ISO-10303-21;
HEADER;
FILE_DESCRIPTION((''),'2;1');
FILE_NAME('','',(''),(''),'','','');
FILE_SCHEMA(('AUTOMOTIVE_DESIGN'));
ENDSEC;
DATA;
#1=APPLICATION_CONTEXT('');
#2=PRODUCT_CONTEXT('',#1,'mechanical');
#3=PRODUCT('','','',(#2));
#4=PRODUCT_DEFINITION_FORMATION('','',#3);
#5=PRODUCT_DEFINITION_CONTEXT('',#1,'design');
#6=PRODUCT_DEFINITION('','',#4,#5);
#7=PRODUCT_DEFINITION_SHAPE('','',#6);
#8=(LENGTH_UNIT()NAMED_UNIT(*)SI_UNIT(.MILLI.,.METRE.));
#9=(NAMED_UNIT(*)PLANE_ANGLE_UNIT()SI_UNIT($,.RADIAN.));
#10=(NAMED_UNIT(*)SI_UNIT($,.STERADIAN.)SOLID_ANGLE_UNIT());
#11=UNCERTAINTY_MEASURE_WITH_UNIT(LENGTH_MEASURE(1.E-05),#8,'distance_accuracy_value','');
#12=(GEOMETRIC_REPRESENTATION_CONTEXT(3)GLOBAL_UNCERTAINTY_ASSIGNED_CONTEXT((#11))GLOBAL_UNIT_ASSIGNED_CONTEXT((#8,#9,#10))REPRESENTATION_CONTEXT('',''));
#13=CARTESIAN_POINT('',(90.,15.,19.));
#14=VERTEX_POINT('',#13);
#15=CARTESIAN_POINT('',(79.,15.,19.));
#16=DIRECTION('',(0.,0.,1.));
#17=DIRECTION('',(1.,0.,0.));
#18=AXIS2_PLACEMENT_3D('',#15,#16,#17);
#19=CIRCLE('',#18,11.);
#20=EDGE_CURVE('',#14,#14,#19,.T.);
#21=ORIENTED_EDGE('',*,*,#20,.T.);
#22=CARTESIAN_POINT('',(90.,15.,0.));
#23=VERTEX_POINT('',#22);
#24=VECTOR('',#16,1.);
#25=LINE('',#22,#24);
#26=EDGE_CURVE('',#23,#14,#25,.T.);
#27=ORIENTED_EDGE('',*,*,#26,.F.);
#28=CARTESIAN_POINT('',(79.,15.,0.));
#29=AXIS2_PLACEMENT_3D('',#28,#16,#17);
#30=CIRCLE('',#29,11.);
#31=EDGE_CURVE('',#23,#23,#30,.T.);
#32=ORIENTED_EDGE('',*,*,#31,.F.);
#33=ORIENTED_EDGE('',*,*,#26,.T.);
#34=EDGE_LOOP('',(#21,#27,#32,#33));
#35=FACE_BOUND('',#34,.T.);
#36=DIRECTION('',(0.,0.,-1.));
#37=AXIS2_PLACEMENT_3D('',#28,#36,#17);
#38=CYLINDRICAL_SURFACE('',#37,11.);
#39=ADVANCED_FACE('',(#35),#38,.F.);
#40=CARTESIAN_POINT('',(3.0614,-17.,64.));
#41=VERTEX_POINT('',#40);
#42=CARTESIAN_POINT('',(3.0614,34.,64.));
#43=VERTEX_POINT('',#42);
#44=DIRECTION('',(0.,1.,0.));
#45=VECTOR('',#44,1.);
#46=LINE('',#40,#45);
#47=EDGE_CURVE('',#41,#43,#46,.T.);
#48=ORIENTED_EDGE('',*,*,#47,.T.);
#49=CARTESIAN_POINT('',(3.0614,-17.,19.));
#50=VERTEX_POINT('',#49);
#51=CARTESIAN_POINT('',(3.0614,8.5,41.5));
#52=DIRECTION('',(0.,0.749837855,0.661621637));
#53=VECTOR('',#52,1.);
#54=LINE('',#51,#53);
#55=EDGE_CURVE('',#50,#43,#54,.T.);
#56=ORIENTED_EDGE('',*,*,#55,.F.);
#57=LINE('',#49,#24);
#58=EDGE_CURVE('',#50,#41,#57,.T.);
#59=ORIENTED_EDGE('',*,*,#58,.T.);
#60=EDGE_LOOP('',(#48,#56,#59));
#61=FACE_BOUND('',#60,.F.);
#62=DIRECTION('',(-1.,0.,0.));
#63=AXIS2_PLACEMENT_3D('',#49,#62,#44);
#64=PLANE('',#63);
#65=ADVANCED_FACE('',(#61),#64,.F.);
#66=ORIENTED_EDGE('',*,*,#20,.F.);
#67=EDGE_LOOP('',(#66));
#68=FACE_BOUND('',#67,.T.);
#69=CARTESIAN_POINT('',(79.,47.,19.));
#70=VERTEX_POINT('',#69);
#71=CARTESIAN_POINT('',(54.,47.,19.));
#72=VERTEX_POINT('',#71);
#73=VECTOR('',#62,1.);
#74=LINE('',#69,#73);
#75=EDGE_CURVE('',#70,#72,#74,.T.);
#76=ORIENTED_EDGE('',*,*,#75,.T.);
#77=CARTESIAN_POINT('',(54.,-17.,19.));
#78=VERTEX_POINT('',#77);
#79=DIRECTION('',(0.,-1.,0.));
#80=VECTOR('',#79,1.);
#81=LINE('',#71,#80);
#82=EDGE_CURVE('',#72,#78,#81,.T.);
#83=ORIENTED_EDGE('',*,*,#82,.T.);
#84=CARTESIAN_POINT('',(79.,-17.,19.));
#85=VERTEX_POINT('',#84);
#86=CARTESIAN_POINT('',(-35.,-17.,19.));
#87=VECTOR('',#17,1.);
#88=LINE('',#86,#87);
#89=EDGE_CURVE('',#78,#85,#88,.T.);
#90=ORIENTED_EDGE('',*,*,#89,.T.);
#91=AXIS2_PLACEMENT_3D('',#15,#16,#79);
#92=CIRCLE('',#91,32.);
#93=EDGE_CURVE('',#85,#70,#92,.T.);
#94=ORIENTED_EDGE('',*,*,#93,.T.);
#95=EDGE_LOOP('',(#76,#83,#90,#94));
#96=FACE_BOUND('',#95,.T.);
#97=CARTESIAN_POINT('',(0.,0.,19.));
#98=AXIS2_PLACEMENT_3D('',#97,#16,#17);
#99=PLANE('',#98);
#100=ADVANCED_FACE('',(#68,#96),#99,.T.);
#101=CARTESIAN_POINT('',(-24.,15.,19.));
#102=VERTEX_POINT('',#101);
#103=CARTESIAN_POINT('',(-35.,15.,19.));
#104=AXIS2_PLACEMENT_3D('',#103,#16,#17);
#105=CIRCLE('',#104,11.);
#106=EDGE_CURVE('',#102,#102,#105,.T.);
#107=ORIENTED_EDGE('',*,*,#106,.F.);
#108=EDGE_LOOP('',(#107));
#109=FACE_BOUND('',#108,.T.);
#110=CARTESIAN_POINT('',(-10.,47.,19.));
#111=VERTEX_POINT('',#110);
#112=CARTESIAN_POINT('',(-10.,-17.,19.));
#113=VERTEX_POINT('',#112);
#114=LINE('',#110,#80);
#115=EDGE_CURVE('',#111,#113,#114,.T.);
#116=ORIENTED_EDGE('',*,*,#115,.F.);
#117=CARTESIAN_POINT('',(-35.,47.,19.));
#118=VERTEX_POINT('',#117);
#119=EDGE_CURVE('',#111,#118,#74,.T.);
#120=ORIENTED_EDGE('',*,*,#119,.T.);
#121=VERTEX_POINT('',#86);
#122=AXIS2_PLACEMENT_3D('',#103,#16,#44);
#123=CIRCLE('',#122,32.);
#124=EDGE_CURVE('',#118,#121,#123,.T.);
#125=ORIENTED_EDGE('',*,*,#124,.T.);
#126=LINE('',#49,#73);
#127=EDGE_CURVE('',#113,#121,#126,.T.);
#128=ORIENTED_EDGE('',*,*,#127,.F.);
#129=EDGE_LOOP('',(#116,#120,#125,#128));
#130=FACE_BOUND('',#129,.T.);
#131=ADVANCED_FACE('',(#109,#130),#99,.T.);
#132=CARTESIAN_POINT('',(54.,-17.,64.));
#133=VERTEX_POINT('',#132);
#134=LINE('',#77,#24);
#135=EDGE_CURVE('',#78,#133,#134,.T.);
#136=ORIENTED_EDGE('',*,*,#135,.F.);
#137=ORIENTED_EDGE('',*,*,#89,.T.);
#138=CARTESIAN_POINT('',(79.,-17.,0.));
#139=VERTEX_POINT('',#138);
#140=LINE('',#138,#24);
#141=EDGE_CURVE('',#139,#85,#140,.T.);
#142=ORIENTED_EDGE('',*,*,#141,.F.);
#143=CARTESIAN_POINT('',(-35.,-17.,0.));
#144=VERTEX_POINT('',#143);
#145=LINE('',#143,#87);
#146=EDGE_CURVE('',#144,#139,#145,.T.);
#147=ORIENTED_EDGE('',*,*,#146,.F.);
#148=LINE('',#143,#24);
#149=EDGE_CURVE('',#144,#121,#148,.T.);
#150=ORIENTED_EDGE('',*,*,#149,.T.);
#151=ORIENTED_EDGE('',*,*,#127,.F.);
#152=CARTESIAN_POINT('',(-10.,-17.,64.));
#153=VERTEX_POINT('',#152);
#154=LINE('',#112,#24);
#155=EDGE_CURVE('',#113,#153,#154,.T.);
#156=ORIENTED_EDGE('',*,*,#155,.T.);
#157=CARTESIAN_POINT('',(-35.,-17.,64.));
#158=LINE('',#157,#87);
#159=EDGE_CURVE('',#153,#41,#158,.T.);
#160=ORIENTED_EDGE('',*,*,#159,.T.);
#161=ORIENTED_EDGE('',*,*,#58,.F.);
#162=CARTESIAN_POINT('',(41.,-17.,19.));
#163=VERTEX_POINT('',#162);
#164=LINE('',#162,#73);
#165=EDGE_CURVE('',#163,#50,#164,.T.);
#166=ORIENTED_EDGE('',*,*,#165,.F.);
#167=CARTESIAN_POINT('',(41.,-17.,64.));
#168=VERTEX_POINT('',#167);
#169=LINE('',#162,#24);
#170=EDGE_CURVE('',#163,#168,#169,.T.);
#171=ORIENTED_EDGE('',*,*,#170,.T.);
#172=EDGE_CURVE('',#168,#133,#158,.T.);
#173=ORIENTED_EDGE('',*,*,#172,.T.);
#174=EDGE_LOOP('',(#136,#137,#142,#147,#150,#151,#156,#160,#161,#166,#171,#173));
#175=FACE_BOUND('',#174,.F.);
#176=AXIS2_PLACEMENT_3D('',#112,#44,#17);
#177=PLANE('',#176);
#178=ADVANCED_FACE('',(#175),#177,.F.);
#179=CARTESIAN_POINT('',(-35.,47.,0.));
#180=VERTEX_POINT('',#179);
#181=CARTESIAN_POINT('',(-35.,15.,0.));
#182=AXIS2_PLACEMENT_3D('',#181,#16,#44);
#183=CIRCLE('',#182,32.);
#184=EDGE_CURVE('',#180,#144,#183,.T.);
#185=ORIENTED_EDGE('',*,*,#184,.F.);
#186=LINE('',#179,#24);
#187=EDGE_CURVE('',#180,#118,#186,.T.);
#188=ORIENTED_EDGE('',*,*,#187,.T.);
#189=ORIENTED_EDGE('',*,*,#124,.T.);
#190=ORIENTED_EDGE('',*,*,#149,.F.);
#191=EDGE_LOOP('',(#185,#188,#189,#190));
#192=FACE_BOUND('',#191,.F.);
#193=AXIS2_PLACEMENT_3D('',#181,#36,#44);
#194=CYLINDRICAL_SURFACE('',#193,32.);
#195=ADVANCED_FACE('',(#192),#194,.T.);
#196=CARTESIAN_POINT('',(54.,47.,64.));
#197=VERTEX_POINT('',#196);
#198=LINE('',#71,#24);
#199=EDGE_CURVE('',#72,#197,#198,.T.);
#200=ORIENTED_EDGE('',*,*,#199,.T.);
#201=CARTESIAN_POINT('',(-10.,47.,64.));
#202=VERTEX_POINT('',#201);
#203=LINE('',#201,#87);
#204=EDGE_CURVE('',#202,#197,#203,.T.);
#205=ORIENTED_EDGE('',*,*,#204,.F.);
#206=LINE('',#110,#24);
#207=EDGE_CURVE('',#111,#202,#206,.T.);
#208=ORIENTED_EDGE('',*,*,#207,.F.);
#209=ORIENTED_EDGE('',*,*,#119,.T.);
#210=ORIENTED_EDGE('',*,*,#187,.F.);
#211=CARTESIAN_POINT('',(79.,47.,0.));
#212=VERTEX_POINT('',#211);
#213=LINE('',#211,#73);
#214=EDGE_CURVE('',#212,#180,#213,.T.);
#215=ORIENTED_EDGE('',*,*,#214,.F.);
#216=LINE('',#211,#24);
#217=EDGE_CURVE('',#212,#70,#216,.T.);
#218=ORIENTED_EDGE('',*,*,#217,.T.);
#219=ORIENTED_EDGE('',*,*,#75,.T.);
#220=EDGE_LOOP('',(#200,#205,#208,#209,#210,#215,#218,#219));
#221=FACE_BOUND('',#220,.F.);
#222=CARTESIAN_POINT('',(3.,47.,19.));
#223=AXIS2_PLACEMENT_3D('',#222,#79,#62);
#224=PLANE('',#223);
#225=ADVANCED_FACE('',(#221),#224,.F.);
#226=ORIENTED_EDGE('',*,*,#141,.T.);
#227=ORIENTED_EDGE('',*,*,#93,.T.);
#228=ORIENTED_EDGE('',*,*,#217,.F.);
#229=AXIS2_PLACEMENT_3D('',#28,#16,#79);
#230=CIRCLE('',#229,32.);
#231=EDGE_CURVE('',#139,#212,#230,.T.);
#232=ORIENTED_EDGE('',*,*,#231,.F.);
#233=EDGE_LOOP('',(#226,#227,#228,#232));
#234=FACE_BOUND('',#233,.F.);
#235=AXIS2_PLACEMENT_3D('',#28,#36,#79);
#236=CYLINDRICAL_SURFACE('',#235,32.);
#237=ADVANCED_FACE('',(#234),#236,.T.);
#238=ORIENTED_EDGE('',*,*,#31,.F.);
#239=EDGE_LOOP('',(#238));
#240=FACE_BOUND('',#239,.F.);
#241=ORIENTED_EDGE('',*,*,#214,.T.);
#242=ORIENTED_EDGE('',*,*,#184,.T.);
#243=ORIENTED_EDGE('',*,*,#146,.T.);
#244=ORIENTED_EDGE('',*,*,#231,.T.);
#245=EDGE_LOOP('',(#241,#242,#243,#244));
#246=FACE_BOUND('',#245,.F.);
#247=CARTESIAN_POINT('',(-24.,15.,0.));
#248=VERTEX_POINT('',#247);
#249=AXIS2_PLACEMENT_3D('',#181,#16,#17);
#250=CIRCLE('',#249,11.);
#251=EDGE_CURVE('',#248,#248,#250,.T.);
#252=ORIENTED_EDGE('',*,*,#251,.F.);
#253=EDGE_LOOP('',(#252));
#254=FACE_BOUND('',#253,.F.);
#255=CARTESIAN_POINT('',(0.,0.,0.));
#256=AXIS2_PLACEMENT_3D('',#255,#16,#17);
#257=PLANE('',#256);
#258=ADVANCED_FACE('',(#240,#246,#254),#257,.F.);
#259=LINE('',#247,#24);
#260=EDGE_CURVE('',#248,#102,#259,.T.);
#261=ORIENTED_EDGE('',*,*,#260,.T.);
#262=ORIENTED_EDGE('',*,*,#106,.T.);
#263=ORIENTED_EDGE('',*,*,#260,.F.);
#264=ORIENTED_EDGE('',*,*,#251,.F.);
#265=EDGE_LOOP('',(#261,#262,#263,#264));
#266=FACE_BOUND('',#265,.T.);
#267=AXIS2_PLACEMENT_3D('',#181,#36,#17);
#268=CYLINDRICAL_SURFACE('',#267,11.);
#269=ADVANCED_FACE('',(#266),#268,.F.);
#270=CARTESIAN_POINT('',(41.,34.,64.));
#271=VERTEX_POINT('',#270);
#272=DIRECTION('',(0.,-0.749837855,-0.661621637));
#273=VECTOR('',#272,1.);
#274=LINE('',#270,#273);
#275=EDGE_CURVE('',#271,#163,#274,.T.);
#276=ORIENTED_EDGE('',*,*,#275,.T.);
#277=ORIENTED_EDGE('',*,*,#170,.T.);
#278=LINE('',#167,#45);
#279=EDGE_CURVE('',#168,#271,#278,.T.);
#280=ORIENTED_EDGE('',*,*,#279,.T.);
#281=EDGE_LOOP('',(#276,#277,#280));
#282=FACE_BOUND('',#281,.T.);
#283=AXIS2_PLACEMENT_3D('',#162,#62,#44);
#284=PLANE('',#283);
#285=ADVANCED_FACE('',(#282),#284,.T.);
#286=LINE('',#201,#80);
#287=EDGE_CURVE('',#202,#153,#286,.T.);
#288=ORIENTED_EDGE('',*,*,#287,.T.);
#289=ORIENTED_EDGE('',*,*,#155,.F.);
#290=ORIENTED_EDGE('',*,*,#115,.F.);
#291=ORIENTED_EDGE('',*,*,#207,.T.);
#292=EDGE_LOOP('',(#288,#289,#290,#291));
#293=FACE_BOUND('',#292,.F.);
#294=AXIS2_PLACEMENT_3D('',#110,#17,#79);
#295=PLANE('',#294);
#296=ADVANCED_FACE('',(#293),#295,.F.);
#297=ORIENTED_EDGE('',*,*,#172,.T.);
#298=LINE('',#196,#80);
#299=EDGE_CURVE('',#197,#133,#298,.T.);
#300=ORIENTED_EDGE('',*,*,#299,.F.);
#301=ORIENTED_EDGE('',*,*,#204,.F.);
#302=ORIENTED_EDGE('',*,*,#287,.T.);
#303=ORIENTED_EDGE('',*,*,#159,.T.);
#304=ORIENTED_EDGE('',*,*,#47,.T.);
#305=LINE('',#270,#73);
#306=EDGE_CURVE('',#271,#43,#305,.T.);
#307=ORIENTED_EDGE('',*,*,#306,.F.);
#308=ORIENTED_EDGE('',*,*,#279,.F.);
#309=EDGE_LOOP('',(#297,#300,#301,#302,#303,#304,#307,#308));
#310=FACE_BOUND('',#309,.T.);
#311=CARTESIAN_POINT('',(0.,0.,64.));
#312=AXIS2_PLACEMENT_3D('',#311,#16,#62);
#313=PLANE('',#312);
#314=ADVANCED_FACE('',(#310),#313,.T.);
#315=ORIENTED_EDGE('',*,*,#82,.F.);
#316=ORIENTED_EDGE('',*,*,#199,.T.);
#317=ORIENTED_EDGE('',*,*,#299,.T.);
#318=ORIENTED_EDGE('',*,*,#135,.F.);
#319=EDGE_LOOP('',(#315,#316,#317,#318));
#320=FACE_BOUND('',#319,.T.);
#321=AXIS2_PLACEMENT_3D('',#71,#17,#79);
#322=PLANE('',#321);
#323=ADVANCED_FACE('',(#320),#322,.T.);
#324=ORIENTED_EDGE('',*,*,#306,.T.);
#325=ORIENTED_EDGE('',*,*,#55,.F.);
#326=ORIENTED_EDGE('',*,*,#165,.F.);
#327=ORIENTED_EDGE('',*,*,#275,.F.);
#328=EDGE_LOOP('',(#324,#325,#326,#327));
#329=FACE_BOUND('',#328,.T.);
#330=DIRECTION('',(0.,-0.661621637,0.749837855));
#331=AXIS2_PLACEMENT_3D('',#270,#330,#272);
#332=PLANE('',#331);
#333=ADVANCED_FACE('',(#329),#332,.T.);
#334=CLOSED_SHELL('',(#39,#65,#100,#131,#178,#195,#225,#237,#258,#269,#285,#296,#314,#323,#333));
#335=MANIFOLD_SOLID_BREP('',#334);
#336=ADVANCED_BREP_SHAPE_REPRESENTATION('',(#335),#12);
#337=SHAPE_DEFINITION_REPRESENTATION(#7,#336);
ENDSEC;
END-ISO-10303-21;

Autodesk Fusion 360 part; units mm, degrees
sketch "base" plane through (0, 0, 0) normal (0, 0, 1) x (1, 0, 0)
  line L0 (-35, -17) -> (79, -17)
  line L1 (79, 47) -> (-35, 47)
  circle A0 centre (-35, 15) radius 11
  circle A1 centre (79, 15) radius 11
  arc A2 (79, -17) -> (79, 47) centre (79, 15) ccw
  arc A3 (-35, 47) -> (-35, -17) centre (-35, 15) ccw
  dimension "d1" = 114
  dimension "d2" = 64
  dimension "d3" = 22
  dimension "d4" = 22
extrude "Extrude1" add sketch "base" along normal blind 19
sketch "middle" plane through (0, 0, 19) normal (0, 0, 1) x (-1, 0, 0)
  circle A0 centre (-79, -15) radius 11
  circle A1 centre (35, -15) radius 11
  arc A2 (35, -47) -> (35, 17) centre (35, -15) ccw
  line L0 (35, 17) -> (-79, 17)
  arc A3 (-79, 17) -> (-79, -47) centre (-79, -15) ccw
  line L1 (-79, -47) -> (35, -47)
  line L2 (-22, -47) -> (-3, -47)
  line L3 (-22, -47) -> (-41, -47)
  line L4 (-22, -47) -> (-54, -47)
  line L5 (-22, -47) -> (10, -47)
  line L6 (10, -47) -> (10, 17)
  line L7 (10, 17) -> (-3.0614, 17)
  line L8 (-3.0614, 17) -> (-3.0614, -34)
  line L9 (-54, -47) -> (-54, 17)
  line L10 (-54, 17) -> (-41, 17)
  line L11 (-41, 17) -> (-41, -34)
  line L12 (-41, -34) -> (-3.0614, -34)
  dimension "d10" = 32
  dimension "d11" = 32
  dimension "d12" = 51
extrude "Extrude2" add sketch "middle" along normal blind 45 contours L0 L8 L11 L12
sketch "ramp" plane through (41, 0, 0) normal (1, 0, 0) x (0, 1, 0)
  line L0 (-17, 19) -> (34, 19)
  line L1 (34, 19) -> (34, 64)
  line L2 (34, 64) -> (-17, 64)
  line L3 (-17, 64) -> (-17, 19)
  line L4 (34, 64) -> (-17, 19)
  line L5 (-17, 64) -> (-17, 19)
  line L6 (-17, 64) -> (34, 64)
extrude "Extrude3" cut sketch "ramp" against normal blind 38 contours L2 L3 L4 L5 L6
extrude "Extrude4" add sketch "middle" along normal blind 45 contours L0 L1 L2 L3 L4 L5 L6 L7 L8 L9 L10 L11 L12
